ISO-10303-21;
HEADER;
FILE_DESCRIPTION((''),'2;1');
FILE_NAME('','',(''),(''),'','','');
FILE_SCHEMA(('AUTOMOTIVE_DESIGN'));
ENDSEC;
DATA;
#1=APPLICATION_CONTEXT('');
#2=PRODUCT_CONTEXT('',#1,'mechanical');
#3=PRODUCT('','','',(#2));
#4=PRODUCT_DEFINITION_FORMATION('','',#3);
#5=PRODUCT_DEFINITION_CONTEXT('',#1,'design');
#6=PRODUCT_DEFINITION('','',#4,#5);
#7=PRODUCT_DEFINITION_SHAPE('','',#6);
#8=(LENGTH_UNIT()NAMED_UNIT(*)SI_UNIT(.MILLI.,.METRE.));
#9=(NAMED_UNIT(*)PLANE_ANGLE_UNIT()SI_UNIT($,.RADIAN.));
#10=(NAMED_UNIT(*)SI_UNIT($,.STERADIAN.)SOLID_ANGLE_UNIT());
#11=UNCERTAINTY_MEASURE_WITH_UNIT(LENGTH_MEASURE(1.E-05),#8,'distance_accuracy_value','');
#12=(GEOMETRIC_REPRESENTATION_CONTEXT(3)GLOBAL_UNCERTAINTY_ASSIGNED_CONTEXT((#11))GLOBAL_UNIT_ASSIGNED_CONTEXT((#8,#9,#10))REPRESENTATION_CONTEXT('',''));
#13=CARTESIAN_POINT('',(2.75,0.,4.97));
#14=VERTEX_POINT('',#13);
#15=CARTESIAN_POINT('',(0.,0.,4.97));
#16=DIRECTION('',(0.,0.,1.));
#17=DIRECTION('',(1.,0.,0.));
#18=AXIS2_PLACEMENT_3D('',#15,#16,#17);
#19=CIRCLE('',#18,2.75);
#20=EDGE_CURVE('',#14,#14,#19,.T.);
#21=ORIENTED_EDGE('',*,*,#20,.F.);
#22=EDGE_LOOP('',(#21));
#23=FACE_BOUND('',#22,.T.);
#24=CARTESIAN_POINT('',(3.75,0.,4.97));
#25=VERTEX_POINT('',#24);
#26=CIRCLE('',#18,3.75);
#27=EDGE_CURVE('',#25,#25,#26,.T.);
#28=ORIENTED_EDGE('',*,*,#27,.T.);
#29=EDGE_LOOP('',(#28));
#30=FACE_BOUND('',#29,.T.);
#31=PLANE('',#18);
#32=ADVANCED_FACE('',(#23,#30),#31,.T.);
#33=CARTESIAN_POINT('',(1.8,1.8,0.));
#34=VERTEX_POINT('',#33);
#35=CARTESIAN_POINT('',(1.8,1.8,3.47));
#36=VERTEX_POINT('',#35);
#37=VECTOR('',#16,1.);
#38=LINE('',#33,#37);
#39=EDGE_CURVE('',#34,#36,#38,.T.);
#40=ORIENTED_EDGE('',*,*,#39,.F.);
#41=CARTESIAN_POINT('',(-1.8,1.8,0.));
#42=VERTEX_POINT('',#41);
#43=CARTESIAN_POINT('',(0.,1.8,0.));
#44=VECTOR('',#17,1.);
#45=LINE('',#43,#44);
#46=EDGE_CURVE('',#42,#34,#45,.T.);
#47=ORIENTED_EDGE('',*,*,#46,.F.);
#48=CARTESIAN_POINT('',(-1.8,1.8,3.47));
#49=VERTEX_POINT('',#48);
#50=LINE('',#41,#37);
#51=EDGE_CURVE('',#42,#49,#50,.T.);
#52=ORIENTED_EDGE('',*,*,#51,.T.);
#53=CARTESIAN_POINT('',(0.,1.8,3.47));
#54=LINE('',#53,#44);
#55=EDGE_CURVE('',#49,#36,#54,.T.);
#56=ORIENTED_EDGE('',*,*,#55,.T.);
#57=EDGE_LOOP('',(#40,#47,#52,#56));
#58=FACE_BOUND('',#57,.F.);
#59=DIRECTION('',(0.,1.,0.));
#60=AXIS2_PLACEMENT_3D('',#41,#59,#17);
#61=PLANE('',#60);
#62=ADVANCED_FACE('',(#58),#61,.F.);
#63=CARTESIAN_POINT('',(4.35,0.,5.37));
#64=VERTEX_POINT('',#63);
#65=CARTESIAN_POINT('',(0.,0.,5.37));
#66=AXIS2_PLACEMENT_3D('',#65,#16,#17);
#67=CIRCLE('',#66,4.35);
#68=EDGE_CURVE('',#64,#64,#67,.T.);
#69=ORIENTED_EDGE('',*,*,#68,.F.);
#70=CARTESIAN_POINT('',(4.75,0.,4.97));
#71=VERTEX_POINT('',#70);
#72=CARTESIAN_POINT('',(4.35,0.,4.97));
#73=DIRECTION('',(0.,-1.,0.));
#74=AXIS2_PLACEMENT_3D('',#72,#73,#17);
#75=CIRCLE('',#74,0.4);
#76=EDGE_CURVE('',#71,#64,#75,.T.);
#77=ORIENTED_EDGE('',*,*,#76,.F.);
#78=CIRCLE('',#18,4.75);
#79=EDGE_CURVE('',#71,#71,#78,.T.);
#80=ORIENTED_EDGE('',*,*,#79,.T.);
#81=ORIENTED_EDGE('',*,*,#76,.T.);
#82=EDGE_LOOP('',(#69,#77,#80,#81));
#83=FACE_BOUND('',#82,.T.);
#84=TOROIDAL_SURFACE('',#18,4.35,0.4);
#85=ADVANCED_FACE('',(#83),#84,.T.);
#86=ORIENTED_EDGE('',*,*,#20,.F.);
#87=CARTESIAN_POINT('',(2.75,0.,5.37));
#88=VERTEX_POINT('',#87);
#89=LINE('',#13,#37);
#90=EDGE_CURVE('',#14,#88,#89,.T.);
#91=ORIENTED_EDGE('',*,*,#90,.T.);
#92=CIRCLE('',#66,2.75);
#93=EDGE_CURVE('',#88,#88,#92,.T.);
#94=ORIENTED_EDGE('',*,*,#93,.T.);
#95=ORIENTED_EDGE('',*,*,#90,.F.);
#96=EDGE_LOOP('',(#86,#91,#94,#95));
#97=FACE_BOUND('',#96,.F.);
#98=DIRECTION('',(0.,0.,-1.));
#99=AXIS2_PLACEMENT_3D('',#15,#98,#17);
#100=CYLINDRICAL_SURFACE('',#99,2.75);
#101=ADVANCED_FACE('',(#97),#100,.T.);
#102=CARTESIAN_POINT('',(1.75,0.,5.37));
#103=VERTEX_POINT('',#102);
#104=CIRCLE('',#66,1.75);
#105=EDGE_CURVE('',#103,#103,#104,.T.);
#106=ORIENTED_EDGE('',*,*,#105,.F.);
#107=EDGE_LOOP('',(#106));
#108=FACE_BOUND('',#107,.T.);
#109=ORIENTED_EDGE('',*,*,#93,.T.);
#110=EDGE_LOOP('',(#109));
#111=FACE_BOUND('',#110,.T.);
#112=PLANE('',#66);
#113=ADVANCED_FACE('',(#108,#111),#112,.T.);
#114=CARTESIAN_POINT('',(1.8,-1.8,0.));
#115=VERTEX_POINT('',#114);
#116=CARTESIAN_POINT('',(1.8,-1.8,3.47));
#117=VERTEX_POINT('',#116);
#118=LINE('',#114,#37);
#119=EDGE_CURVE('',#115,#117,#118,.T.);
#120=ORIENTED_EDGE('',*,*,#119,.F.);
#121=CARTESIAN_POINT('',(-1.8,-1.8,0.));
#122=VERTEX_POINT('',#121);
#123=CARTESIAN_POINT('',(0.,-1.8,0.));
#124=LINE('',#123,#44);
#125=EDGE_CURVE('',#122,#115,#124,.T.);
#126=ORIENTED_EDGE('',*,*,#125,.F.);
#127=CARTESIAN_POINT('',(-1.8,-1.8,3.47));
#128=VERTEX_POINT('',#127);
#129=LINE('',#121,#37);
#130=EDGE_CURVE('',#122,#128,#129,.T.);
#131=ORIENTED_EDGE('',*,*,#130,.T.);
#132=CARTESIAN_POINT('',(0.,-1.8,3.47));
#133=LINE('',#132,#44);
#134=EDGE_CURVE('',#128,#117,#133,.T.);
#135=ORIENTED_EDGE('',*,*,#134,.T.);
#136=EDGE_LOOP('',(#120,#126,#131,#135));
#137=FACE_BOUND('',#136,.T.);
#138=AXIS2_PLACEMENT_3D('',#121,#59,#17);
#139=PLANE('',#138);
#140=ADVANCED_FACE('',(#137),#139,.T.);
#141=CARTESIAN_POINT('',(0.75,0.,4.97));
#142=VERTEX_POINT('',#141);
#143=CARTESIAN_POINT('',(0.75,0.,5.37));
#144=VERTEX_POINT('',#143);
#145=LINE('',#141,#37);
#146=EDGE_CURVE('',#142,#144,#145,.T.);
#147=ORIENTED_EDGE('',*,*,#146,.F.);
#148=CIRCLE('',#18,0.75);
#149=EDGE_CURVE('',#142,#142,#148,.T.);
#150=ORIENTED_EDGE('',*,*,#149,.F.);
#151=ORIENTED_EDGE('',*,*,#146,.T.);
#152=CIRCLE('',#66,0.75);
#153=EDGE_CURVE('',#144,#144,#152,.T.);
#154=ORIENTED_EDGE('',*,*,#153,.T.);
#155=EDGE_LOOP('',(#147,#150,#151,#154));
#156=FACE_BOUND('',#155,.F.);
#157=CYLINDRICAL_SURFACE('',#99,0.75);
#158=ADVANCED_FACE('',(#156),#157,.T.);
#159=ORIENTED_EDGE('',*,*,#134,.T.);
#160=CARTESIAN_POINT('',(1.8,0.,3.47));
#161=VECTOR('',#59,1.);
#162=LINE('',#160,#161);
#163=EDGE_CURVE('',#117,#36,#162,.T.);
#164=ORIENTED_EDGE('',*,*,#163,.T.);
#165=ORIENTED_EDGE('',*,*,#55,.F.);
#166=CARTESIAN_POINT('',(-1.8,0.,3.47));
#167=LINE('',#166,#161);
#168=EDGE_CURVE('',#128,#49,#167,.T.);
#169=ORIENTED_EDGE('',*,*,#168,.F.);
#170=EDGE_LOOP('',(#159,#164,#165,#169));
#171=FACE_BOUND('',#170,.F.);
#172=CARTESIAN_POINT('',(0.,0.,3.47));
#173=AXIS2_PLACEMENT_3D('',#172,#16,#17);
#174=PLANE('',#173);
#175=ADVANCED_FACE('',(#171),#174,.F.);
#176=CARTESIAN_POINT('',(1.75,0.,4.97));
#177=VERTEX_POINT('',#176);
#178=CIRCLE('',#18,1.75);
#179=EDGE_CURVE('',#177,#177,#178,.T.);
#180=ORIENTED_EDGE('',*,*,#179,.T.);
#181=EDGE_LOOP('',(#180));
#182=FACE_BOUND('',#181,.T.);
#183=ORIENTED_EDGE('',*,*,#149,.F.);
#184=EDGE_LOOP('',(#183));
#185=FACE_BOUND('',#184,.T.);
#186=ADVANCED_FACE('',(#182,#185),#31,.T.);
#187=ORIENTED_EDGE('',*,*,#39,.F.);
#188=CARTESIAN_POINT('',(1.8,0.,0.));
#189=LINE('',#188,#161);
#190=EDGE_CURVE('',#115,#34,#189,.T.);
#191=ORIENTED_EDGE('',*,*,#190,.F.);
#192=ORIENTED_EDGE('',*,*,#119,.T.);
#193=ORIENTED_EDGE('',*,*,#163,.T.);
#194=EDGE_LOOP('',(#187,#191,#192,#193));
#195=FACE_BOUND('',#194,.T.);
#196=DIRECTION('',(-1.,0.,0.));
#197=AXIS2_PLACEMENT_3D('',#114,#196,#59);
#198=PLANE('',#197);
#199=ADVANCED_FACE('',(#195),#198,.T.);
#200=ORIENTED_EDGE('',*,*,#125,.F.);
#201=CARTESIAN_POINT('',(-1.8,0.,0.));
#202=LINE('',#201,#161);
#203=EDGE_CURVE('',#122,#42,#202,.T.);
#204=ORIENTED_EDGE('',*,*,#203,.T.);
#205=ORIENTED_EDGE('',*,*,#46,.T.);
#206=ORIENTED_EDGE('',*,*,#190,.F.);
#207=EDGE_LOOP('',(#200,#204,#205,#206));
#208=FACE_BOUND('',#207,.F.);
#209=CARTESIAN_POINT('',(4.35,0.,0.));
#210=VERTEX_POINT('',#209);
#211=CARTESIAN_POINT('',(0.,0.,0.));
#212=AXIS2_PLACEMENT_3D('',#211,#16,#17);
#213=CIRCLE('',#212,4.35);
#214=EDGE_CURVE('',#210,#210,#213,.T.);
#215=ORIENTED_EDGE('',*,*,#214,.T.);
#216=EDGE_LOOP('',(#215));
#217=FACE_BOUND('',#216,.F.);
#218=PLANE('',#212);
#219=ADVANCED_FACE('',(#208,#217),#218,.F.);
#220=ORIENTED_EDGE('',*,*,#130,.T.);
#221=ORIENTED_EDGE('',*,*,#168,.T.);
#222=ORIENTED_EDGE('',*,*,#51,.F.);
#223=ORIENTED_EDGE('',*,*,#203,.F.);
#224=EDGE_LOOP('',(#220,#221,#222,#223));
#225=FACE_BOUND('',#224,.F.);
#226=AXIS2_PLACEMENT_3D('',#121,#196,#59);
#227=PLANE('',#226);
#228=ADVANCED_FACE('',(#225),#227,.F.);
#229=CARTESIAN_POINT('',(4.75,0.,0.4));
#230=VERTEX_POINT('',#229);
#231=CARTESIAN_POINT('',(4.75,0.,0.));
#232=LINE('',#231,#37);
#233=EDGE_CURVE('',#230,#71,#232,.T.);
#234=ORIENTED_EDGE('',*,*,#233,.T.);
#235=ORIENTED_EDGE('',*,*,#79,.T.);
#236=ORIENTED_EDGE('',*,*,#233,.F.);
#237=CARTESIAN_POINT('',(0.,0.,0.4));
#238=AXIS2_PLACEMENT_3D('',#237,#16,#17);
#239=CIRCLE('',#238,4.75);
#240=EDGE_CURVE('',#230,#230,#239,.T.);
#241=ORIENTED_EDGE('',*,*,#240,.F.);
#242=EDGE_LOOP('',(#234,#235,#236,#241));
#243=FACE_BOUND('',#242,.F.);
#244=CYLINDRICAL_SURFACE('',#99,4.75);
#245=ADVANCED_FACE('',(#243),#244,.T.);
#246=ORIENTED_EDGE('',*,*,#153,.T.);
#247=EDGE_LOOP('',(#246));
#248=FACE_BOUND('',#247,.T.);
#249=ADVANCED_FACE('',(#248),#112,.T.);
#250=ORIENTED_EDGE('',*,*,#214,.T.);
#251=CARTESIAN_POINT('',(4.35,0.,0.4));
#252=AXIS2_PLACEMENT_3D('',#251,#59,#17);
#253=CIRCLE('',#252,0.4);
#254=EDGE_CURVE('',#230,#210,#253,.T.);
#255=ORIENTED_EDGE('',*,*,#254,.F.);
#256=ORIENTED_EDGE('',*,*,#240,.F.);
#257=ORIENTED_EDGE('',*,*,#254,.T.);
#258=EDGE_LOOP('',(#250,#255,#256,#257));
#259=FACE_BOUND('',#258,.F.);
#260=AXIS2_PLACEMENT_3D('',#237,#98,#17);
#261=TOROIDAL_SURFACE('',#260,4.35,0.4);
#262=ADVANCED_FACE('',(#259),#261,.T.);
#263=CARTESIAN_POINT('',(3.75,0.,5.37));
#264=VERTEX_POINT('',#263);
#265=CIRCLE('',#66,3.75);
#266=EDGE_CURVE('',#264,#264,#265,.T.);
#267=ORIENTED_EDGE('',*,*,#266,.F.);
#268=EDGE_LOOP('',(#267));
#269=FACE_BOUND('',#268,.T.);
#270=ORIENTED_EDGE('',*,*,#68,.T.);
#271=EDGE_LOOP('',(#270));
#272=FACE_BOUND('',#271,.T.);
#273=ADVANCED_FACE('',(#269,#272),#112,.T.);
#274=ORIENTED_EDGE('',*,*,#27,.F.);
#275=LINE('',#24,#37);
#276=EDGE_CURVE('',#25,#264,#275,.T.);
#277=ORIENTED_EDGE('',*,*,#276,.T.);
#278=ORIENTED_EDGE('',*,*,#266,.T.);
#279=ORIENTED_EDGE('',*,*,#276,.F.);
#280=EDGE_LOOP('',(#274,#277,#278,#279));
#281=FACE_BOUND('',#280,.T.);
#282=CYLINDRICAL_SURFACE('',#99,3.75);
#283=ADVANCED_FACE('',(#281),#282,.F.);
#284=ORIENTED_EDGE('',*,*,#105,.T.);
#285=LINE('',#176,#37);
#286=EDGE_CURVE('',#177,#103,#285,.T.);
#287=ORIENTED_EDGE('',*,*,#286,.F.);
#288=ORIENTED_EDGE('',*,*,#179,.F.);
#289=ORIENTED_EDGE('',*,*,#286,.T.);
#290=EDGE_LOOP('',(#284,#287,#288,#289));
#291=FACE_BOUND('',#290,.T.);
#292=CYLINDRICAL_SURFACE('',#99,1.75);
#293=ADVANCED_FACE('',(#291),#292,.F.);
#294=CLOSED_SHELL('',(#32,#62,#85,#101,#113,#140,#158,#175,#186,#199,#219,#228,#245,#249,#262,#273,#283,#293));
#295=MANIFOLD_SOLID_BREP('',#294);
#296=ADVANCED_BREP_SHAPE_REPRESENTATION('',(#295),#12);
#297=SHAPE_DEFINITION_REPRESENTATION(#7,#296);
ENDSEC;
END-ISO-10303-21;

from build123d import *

# Parameters (mm, degrees)
F0_R     = 4.75
F0_W     = 3.6
F0_H     = 3.6
F1_DEPTH = 3.47
F2_R     = 4.75
F2_W     = 3.6
F2_H     = 3.6
F3_DEPTH = 1.5
F4_R     = 4.75
F4_R_2   = 3.75
F4_R_3   = 2.75
F4_R_4   = 1.75
F4_R_5   = 0.75
F5_DEPTH = 0.4
F6_R     = 0.4


with BuildPart() as f1:
    # F0 (on Top) → F1 (new body)
    with BuildSketch(Plane.XY):
        Circle(F0_R)
        Rectangle(F0_W, F0_H, mode=Mode.SUBTRACT)
    extrude(amount=F1_DEPTH)

    # F2 (on face) → F3 (join)
    with BuildSketch(Plane.XY.offset(3.47)):
        Circle(F2_R)
        Rectangle(F2_W, F2_H, mode=Mode.SUBTRACT)
        Rectangle(F2_W, F2_H)
    extrude(amount=F3_DEPTH)

    # F4 (on face) → F5 (join)
    with BuildSketch(Plane.XY.offset(4.97)):
        Circle(F4_R)
        Circle(F4_R_2, mode=Mode.SUBTRACT)
        Circle(F4_R_3)
        Circle(F4_R_4, mode=Mode.SUBTRACT)
        Circle(F4_R_5)
    extrude(amount=F5_DEPTH)

    # F6
    f6_edges = [f1.edges().sort_by_distance(p)[0] for p in [
        (-4.75, 0, 5.37),
        (-4.75, 0, 0),
    ]]
    fillet(f6_edges, radius=F6_R)


solid = f1.part
